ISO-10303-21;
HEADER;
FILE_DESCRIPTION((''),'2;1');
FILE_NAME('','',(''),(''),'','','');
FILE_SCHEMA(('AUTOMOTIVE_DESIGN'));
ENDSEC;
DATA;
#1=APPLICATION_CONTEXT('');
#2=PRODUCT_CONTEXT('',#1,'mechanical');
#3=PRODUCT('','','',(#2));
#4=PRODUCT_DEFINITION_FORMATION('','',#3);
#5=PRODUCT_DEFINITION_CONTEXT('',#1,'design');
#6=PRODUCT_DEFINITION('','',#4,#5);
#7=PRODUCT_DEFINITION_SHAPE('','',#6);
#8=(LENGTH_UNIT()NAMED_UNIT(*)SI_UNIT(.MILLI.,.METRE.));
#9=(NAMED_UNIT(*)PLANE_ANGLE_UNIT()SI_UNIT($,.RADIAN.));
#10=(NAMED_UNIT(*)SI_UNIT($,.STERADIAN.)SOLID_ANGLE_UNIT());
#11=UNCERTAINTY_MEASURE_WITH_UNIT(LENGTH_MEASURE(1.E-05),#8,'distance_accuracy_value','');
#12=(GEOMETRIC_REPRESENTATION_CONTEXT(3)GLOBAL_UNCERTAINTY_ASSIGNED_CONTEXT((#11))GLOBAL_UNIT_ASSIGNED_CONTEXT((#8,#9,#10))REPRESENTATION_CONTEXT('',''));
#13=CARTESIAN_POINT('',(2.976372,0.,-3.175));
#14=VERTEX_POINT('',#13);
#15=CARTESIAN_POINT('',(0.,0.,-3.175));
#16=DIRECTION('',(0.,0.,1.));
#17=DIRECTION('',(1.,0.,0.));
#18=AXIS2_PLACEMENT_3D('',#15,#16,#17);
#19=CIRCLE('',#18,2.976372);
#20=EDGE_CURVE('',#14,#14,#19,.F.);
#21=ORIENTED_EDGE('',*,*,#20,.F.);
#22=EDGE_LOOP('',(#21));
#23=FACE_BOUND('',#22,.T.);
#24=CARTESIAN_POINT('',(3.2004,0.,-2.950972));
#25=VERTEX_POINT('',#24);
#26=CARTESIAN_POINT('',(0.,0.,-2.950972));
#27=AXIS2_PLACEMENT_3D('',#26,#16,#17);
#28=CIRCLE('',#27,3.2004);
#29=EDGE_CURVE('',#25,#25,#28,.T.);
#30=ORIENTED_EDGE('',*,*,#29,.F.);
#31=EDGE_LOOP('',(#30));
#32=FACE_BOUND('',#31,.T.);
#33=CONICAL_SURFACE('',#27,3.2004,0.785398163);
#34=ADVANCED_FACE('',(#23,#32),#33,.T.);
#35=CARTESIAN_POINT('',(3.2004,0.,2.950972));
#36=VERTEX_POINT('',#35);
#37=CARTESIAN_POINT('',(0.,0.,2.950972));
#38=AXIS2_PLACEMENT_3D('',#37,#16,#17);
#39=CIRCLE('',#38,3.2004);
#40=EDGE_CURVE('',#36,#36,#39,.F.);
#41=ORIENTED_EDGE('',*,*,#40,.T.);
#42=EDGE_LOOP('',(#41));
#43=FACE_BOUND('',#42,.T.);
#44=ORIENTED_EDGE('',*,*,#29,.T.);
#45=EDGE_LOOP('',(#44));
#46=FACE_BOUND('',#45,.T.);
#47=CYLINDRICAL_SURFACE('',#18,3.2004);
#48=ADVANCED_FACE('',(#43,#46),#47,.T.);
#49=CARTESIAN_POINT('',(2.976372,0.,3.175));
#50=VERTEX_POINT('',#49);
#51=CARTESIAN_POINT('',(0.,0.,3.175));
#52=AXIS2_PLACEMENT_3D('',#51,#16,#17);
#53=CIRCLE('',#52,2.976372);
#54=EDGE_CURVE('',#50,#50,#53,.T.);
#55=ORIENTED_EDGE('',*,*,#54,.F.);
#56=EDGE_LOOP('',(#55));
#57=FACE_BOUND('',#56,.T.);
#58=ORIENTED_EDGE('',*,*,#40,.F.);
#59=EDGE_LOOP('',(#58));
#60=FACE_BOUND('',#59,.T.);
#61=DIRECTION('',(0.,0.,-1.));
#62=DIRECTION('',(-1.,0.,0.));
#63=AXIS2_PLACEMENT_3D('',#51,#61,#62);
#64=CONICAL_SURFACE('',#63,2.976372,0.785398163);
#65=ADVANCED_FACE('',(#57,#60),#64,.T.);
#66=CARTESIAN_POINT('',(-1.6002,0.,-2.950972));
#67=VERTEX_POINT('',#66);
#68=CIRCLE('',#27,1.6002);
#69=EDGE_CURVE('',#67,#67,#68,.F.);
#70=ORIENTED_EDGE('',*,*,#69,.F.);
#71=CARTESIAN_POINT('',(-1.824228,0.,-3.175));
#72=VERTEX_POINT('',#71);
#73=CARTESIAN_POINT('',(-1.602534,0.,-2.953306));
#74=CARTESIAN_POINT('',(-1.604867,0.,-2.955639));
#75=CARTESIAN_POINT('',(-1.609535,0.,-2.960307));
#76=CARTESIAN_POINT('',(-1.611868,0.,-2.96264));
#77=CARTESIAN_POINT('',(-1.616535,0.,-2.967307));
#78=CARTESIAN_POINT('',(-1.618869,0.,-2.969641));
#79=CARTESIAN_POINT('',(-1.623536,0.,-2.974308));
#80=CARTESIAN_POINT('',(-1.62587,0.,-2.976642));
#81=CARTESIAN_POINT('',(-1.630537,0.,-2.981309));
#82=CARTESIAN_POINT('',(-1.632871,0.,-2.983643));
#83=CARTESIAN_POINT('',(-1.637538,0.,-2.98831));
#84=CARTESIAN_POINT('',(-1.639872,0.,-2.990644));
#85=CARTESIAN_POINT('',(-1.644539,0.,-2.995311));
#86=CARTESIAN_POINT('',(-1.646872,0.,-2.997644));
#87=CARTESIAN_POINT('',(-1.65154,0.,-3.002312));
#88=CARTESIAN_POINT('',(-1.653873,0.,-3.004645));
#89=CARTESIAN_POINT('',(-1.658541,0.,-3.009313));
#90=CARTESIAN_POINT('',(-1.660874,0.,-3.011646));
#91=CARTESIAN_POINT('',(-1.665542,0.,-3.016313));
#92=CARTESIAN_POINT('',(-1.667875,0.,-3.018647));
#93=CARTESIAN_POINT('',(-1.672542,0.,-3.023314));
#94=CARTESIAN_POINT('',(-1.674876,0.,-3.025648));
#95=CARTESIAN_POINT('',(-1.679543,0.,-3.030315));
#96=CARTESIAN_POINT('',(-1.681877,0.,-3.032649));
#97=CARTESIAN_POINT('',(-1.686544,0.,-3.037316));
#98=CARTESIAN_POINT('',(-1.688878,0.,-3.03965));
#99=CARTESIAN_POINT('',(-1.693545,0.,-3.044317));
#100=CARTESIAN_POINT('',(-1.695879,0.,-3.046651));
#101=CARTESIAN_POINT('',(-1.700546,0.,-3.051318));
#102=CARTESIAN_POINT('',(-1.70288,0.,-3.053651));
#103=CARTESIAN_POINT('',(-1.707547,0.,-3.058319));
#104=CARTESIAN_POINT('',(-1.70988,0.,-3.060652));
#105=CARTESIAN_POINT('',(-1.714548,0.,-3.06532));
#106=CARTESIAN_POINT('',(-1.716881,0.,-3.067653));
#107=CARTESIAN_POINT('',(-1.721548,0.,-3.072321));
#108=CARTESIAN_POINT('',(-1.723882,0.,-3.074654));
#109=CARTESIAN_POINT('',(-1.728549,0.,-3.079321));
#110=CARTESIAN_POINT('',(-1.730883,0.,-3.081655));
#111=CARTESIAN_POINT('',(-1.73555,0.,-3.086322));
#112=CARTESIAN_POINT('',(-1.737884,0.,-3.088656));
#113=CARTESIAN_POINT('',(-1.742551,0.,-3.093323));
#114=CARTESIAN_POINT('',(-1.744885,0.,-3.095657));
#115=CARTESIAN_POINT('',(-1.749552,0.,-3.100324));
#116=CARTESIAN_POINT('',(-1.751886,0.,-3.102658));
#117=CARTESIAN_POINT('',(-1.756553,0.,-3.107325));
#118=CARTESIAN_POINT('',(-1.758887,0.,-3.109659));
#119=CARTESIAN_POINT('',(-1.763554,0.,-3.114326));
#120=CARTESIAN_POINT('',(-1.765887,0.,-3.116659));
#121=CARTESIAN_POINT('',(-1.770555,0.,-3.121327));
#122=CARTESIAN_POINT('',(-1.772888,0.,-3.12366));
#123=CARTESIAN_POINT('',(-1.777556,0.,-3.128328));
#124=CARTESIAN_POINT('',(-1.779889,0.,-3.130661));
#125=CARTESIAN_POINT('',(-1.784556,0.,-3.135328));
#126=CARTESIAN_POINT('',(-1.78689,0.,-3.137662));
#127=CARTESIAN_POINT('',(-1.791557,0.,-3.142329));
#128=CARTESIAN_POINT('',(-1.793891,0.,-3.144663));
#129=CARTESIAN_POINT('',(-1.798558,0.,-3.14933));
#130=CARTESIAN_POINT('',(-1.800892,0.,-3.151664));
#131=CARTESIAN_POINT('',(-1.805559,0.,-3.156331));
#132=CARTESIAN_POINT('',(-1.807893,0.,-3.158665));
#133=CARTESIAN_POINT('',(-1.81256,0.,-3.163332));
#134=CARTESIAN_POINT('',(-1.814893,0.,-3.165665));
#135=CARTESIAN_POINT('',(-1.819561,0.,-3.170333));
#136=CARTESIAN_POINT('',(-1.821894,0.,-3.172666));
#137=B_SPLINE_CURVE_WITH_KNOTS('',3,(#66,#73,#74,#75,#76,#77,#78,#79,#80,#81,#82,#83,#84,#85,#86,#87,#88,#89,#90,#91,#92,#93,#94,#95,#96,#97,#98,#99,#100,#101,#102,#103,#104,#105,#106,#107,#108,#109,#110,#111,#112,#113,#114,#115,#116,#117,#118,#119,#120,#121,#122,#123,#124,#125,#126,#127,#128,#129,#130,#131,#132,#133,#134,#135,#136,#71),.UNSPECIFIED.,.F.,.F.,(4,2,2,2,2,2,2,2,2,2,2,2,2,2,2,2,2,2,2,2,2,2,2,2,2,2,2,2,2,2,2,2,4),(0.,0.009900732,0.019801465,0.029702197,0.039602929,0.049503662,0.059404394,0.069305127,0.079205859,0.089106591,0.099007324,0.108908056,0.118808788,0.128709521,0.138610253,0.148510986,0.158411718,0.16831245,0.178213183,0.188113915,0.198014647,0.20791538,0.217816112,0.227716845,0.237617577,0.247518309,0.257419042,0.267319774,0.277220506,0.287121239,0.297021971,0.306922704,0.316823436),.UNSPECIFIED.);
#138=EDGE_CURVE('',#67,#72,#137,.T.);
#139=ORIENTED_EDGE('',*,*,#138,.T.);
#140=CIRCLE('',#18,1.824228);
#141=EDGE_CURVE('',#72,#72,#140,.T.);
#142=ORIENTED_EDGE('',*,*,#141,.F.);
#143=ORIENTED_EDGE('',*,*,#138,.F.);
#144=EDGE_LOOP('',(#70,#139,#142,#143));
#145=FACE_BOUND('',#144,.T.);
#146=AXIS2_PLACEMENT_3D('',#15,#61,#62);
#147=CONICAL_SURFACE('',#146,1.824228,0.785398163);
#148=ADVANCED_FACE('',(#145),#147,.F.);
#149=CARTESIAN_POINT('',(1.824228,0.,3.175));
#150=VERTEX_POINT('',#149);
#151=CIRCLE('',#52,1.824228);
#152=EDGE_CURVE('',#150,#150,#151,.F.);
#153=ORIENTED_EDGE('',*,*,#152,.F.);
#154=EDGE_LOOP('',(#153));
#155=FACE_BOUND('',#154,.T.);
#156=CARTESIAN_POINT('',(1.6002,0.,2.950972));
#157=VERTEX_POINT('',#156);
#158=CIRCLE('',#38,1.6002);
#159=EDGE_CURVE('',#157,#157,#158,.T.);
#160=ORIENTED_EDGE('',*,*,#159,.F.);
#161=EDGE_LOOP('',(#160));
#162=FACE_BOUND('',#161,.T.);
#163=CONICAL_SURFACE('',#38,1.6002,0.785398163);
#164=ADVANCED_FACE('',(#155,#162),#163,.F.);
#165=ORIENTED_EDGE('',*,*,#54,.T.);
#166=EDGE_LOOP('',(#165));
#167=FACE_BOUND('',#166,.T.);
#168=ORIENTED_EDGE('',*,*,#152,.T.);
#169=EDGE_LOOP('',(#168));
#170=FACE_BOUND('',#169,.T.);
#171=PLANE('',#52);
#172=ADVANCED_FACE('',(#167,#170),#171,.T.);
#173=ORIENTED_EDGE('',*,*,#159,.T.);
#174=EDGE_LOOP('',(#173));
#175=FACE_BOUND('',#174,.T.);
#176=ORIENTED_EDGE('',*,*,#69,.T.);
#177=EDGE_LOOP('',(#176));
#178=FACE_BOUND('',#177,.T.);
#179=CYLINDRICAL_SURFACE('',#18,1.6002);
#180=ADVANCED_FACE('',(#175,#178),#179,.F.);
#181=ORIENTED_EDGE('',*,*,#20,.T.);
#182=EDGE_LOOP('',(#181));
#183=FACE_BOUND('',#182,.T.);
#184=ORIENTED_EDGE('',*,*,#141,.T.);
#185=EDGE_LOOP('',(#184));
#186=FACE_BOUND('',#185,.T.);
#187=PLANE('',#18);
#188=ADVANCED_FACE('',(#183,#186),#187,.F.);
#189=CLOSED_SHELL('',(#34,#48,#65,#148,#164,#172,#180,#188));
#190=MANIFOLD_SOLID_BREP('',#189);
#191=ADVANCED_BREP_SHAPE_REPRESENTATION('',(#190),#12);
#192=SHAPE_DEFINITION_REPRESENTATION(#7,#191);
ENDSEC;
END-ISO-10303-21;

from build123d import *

# Parameters (mm, degrees)
BOSS_EXTRUDE1_DEPTH      = 3.175
BOSS_EXTRUDE1_DEPTH_BACK = 3.175
SKETCH14_R               = 3.2004
SKETCH14_R_2             = 1.6002
CHAMFER1_SIZE            = 0.224028


with BuildPart() as part:
    # Sketch14 → Boss-Extrude1 (new, two sides: drawn at the far end of the back side and taken through both)
    with BuildSketch(Plane.XY.offset(-BOSS_EXTRUDE1_DEPTH_BACK)):
        Circle(SKETCH14_R)
        Circle(SKETCH14_R_2, mode=Mode.SUBTRACT)
    extrude(amount=BOSS_EXTRUDE1_DEPTH + BOSS_EXTRUDE1_DEPTH_BACK)

    # Chamfer1
    chamfer1_edges = [part.edges().sort_by_distance(p)[0] for p in [
        (-3.2004, 0, -3.175),
        (-1.6002, 0, -3.175),
        (-3.2004, 0, 3.175),
        (-1.6002, 0, 3.175),
    ]]
    chamfer(chamfer1_edges, length=CHAMFER1_SIZE)


solid = part.part
